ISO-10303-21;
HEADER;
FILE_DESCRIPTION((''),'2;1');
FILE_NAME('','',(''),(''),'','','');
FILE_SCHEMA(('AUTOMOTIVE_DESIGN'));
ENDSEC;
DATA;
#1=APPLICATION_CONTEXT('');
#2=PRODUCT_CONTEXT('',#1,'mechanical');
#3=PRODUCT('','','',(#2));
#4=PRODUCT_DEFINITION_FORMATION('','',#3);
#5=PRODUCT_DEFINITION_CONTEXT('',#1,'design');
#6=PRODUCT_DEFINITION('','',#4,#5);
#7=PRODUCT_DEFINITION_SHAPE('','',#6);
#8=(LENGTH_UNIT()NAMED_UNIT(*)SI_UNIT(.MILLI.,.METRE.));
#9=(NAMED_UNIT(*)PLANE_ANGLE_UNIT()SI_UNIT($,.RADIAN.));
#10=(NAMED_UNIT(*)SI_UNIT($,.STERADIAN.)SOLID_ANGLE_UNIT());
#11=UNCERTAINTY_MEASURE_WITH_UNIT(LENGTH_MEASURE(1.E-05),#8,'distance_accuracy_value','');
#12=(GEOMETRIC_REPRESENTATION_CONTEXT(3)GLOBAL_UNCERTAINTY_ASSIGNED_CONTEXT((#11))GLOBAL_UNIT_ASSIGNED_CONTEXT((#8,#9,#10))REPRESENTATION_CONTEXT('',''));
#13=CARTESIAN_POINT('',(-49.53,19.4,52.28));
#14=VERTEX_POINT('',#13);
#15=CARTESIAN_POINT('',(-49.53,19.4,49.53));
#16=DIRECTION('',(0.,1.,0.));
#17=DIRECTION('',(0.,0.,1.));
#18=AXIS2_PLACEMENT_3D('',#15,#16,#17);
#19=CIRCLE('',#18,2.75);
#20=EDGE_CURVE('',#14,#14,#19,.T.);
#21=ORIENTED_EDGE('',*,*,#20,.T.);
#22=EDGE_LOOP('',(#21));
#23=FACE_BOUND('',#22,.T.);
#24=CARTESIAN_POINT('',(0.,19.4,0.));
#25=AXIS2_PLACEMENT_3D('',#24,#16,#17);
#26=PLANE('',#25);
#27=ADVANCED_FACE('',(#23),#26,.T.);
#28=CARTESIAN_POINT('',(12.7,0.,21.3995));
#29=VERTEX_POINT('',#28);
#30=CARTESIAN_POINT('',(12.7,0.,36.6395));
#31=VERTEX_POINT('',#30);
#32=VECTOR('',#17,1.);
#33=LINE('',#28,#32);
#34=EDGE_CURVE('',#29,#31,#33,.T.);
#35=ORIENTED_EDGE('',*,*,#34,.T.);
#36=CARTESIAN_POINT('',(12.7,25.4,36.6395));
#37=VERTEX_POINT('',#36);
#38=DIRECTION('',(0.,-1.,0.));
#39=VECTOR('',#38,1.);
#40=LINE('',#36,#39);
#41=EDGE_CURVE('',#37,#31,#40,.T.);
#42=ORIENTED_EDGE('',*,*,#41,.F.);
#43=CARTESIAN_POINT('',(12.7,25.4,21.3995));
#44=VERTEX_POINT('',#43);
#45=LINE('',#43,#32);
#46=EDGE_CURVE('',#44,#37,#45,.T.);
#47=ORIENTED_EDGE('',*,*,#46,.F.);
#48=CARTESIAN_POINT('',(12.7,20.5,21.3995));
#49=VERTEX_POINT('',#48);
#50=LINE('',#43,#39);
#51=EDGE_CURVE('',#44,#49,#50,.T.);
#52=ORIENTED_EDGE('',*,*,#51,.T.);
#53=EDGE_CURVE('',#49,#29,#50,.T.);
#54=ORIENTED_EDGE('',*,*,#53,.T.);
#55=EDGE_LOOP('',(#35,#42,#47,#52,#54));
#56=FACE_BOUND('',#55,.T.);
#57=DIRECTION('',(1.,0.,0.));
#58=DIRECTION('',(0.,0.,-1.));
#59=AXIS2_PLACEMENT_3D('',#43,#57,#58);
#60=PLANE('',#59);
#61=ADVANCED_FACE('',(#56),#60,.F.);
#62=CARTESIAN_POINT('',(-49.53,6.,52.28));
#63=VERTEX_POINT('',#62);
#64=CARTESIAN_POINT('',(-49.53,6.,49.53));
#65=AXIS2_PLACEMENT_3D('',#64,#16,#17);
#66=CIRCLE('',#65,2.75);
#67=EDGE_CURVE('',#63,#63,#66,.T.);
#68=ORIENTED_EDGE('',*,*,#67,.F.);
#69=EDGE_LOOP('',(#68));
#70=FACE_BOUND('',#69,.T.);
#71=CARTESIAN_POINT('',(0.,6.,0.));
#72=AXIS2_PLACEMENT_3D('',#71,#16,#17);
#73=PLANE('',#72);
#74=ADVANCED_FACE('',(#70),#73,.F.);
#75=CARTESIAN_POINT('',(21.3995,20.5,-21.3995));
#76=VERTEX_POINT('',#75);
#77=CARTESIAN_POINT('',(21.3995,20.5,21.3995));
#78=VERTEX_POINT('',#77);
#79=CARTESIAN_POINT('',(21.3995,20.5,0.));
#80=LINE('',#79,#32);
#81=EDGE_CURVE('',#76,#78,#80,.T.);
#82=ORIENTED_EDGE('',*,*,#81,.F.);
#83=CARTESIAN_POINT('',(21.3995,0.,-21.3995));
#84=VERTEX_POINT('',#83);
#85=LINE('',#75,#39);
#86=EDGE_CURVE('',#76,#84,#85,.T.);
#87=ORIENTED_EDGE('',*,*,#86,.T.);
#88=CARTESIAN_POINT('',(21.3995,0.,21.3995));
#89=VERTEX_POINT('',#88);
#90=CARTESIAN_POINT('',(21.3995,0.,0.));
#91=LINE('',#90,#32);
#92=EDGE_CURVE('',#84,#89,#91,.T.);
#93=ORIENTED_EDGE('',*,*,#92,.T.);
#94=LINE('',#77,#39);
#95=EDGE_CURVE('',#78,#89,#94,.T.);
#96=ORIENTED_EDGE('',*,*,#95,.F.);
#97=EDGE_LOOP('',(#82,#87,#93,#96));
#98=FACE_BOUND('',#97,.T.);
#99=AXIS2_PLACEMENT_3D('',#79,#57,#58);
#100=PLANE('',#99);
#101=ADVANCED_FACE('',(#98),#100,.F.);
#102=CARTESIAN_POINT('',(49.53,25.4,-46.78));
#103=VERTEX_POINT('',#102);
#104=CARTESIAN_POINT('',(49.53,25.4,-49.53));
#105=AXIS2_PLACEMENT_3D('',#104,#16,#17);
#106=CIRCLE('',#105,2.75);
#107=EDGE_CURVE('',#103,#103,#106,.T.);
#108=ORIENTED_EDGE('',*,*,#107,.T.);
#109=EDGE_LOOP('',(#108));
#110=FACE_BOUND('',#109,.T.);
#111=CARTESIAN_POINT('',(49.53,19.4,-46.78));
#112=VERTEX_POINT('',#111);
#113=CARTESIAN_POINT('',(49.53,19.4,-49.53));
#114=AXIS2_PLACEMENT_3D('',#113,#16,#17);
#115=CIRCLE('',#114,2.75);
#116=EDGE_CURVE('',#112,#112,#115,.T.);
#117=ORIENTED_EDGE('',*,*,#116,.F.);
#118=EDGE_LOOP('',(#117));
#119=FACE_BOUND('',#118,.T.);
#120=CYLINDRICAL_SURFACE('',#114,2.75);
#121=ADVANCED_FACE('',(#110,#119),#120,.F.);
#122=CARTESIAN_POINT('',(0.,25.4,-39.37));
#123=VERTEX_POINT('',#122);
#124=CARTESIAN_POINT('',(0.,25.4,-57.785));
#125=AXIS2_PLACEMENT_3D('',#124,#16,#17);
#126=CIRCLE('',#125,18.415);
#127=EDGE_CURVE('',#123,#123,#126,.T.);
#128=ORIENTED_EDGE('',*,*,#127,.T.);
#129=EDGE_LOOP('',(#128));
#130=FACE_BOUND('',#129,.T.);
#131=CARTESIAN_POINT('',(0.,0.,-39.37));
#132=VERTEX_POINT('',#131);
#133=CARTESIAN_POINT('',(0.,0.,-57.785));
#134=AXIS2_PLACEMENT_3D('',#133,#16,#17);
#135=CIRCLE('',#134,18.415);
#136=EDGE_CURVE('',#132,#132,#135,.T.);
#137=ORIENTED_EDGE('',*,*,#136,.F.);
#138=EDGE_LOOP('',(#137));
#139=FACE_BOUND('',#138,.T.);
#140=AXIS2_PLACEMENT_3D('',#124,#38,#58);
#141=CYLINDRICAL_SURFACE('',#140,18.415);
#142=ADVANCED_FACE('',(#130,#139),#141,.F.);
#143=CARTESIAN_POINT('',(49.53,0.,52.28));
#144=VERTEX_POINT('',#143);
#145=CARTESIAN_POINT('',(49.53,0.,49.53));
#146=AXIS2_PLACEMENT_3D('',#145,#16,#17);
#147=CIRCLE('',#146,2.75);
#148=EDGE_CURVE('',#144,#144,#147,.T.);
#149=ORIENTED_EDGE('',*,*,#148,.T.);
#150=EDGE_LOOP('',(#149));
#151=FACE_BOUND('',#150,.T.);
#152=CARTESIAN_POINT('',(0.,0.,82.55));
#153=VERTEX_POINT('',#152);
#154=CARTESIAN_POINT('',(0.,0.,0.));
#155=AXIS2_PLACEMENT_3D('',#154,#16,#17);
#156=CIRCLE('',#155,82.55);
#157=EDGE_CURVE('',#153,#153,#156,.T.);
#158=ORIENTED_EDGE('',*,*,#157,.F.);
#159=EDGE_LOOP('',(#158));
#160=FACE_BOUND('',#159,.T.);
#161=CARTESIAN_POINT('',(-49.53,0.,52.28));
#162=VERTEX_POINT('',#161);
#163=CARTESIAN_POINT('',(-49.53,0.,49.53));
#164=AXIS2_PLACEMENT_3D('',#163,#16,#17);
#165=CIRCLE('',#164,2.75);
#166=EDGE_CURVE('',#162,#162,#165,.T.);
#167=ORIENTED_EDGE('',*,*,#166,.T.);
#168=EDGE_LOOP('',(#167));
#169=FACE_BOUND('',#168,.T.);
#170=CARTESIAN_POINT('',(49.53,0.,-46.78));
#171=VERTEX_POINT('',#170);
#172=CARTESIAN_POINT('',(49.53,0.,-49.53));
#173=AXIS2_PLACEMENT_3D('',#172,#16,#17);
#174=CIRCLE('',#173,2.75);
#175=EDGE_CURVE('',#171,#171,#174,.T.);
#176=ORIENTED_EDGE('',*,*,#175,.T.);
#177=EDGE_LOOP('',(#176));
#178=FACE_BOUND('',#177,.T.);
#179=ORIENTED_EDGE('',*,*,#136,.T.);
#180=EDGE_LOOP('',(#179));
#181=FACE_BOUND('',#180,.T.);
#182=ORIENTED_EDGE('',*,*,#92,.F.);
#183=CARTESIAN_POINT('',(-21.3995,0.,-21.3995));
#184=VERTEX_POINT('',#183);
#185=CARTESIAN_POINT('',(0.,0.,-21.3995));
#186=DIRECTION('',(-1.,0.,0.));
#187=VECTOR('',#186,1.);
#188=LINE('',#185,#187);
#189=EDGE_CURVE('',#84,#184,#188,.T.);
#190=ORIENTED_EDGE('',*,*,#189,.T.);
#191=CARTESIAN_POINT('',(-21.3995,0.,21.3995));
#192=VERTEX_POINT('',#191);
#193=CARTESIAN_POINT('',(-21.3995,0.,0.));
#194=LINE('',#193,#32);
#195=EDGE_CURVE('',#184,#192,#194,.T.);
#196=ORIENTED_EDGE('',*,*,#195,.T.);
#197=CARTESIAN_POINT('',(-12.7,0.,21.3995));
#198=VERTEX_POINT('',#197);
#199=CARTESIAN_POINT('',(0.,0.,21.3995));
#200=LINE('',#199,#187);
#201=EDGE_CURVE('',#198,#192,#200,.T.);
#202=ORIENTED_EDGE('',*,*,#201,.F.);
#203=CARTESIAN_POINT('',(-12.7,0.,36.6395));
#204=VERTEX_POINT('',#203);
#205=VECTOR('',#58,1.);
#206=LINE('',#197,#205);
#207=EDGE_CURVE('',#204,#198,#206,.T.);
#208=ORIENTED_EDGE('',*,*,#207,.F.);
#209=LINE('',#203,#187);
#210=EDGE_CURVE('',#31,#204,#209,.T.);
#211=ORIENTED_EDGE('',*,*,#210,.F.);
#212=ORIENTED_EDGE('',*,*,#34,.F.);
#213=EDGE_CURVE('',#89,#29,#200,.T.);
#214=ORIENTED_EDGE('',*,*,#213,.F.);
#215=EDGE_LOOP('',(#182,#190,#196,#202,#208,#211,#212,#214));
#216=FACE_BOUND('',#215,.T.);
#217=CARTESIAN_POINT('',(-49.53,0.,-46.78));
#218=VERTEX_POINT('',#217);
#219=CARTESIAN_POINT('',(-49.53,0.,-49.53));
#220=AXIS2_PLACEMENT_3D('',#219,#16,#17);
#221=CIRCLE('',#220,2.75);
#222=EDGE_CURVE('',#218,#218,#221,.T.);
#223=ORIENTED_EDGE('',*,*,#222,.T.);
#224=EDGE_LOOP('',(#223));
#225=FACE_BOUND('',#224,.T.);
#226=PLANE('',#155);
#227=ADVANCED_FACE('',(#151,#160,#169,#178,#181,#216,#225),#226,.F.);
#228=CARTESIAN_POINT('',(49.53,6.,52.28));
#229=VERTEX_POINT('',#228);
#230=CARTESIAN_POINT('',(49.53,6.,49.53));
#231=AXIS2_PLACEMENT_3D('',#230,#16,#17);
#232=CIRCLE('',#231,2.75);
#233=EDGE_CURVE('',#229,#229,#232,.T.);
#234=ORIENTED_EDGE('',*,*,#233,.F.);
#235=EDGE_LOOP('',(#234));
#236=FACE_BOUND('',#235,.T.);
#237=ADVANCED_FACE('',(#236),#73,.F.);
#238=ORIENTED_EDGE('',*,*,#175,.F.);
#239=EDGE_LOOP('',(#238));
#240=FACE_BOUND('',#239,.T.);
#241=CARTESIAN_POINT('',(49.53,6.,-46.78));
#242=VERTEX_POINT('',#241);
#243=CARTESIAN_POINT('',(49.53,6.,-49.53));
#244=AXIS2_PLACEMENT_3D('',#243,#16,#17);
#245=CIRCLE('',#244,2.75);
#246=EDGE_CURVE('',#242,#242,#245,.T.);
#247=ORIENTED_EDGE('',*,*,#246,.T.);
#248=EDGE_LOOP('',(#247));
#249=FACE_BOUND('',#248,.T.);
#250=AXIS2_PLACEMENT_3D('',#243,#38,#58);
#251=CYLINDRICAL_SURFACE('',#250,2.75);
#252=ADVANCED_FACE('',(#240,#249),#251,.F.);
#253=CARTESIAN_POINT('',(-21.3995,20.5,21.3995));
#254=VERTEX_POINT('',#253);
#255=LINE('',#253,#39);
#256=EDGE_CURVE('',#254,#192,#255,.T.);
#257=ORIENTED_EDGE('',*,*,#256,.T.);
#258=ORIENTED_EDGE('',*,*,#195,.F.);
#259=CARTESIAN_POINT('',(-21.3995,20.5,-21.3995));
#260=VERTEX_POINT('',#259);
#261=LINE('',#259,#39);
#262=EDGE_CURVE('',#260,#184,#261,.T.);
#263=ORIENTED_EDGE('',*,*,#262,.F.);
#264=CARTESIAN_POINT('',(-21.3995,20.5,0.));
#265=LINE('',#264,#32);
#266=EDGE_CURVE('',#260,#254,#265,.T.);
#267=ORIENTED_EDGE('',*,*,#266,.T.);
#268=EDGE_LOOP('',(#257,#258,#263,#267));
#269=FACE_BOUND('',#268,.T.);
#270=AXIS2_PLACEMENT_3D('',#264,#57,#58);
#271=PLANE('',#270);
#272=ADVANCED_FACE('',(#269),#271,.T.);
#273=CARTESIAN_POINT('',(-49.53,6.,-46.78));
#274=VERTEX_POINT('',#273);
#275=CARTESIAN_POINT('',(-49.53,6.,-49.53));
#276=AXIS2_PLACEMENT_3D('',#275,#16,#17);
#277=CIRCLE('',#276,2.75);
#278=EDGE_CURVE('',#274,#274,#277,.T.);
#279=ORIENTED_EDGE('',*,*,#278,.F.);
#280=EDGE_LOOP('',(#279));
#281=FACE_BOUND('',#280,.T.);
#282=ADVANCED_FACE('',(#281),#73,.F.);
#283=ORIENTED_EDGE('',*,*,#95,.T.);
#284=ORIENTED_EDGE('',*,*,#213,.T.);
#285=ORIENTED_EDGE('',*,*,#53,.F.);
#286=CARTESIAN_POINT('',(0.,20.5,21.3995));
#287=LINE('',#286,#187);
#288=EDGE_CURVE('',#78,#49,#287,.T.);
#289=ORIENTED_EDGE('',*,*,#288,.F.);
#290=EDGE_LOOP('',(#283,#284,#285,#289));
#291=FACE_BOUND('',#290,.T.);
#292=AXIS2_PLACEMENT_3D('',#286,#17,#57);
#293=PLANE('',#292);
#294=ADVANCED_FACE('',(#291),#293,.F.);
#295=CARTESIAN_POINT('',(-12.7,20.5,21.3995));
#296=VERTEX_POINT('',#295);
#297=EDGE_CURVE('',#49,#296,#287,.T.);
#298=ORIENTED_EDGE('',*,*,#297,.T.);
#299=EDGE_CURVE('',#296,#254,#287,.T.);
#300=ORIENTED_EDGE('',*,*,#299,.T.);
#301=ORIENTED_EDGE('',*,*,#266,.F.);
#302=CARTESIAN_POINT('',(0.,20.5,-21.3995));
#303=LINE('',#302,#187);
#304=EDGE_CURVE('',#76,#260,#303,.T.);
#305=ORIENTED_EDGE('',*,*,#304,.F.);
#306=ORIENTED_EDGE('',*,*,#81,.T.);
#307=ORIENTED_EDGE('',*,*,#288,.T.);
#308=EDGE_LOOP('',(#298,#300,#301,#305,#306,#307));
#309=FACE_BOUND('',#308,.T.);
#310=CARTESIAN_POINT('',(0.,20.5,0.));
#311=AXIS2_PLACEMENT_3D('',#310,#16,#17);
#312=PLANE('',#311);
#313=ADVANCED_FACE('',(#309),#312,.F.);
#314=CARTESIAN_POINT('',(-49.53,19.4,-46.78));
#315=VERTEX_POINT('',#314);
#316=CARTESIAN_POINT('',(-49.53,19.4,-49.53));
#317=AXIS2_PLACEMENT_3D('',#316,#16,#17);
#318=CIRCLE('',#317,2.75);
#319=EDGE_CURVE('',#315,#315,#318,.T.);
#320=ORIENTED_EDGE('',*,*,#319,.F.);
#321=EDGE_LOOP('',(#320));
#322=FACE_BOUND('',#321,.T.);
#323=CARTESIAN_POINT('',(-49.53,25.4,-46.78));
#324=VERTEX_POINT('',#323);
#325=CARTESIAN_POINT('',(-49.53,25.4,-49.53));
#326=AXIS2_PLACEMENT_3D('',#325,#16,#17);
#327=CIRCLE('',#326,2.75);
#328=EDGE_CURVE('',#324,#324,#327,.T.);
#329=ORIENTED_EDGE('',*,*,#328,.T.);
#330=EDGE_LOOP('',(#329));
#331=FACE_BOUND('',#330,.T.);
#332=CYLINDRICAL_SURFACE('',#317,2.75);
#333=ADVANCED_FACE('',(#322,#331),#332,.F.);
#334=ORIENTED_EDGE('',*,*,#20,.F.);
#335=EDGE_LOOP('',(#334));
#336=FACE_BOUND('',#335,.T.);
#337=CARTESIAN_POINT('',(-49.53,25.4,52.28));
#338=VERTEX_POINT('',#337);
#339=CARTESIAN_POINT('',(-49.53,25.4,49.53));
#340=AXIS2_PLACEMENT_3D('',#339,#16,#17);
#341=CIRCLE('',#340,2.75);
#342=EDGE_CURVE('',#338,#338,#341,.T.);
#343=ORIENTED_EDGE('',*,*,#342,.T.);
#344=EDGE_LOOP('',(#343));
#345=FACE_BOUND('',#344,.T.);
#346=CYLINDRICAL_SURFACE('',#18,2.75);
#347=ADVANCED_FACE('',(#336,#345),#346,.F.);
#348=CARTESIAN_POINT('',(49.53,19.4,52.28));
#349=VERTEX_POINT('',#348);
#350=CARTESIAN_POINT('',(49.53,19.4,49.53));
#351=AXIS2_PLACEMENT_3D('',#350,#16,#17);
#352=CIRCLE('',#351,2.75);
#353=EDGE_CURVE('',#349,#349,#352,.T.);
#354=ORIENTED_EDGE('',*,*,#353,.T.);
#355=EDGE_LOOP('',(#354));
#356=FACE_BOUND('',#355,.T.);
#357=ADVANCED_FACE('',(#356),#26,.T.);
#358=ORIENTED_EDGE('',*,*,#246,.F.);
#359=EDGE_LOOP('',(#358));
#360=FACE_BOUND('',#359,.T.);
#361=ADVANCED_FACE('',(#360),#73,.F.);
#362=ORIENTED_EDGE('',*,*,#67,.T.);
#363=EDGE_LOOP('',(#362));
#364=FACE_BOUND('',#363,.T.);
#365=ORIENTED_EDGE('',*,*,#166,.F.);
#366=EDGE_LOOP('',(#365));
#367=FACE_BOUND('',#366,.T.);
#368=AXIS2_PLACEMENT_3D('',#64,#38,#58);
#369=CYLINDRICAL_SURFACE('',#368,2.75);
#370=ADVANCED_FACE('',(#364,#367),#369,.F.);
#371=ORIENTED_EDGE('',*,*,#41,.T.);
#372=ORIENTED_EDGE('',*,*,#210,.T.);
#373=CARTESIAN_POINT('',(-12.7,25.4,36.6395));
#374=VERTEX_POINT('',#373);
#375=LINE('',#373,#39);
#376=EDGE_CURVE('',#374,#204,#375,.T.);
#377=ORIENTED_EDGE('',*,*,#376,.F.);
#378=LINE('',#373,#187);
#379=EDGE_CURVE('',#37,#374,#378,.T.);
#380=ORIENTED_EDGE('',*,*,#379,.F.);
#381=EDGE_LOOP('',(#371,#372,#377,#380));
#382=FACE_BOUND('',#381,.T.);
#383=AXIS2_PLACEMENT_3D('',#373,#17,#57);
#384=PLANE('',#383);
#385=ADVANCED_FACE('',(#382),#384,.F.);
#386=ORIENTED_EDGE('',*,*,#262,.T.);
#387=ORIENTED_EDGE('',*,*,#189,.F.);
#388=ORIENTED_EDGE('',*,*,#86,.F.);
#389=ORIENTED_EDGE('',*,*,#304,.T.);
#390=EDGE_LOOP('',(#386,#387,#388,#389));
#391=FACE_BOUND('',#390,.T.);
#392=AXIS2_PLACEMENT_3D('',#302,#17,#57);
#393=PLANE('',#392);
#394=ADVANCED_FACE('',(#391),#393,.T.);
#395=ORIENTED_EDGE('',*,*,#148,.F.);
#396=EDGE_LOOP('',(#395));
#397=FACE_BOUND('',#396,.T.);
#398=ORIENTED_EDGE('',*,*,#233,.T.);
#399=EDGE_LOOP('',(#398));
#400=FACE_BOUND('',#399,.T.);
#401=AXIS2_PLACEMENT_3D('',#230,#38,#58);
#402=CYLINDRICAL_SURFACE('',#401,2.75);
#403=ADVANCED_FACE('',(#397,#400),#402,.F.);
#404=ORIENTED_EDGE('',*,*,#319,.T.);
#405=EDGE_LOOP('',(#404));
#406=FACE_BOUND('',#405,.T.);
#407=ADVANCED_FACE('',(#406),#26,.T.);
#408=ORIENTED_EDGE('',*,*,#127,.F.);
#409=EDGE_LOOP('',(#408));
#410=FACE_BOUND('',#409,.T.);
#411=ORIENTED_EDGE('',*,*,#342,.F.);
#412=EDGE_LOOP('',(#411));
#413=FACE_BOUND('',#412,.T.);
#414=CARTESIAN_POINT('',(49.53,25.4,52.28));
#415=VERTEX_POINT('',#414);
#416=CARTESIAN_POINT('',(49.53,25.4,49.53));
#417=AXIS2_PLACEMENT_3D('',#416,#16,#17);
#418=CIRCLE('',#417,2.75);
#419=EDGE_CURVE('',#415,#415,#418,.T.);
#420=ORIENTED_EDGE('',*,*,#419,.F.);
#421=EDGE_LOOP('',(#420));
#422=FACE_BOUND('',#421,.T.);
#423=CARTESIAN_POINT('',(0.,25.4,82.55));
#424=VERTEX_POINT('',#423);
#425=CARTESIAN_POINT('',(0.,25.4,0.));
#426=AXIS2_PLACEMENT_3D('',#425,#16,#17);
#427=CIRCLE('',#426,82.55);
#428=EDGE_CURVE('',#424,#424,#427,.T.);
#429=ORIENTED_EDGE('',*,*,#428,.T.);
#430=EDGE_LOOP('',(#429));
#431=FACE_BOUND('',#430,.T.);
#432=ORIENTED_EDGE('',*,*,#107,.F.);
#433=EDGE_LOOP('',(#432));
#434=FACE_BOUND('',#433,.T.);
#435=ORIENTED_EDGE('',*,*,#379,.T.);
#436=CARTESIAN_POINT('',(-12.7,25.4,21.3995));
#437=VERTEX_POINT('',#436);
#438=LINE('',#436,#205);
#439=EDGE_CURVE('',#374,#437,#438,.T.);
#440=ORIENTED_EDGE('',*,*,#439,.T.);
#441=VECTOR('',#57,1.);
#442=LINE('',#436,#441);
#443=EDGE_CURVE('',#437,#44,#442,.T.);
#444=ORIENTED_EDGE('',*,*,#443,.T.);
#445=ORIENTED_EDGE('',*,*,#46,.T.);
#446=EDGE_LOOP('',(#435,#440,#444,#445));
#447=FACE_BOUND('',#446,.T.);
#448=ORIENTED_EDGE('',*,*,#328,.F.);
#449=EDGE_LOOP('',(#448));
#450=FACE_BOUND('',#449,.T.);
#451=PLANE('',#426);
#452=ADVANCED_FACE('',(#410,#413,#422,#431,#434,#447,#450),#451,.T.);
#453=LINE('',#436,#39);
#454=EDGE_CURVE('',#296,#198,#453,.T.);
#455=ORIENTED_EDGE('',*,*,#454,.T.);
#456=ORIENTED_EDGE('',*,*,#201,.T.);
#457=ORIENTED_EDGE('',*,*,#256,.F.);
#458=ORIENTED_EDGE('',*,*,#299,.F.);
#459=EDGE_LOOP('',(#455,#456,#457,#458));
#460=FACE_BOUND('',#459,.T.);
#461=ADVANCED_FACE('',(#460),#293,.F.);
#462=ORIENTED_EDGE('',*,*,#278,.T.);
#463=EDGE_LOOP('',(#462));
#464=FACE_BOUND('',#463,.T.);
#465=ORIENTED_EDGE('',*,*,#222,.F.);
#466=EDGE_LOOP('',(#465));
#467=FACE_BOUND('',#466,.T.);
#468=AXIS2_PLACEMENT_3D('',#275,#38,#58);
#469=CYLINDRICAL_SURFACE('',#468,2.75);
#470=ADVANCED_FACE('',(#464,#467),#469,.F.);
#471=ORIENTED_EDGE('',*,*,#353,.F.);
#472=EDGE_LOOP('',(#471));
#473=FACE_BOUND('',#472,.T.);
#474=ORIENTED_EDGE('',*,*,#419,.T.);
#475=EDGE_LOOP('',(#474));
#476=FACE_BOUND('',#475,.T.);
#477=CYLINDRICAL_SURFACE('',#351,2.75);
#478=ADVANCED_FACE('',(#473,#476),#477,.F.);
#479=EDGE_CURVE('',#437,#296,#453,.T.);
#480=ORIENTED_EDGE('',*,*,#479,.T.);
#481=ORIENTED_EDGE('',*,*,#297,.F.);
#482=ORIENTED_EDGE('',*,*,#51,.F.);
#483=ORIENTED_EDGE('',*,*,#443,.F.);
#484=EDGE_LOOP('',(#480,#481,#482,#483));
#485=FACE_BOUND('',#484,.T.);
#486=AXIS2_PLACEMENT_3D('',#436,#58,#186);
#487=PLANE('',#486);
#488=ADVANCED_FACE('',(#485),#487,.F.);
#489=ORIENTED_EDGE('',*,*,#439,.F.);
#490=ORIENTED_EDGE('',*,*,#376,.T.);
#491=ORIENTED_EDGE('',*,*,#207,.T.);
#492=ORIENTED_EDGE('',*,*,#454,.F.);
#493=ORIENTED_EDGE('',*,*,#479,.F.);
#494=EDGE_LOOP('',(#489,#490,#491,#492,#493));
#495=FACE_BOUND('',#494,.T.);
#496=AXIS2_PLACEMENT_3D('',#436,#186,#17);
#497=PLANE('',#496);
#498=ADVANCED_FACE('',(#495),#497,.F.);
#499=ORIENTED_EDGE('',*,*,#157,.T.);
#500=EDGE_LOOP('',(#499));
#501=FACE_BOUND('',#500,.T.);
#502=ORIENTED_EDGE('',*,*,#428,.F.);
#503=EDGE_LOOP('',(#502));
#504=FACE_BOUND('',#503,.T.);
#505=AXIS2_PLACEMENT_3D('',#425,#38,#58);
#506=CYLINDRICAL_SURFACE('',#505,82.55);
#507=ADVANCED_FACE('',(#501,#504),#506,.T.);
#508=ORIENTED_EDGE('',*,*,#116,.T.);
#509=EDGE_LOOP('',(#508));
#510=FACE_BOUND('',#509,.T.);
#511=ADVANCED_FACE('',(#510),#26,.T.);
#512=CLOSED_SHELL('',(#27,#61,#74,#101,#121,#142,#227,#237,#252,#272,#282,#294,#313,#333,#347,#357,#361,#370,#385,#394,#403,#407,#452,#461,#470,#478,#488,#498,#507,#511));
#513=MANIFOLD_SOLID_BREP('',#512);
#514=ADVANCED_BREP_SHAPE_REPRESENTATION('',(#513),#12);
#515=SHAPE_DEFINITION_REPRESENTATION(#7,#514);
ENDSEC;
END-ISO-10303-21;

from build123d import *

# Parameters (mm, degrees)
SKETCH1_R           = 82.55
SKETCH1_R_2         = 18.415
BOSS_EXTRUDE3_DEPTH = 25.4
SKETCH1_7_W         = 42.799
SKETCH1_7_H         = 42.799
CUT_EXTRUDE2_DEPTH  = 20.5
SKETCH3_W           = 25.4
SKETCH3_H           = 15.24
CUT_EXTRUDE3_DEPTH  = 120.474537036
SKETCH1_8_R         = 2.75
CUT_EXTRUDE4_DEPTH  = 6
CUT_EXTRUDE5_START  = 19.4
SKETCH1_10_R        = 2.75
CUT_EXTRUDE5_DEPTH  = 6


with BuildPart() as part:
    # Sketch1 → Boss-Extrude3 (new body)
    with BuildSketch(Plane(origin=(0, 0, 0), x_dir=(1, 0, 0), z_dir=(0, 1, 0))):
        Circle(SKETCH1_R)
        with Locations((0, 57.785)):
            Circle(SKETCH1_R_2, mode=Mode.SUBTRACT)
    extrude(amount=BOSS_EXTRUDE3_DEPTH)

    # Sketch1<7> → Cut-Extrude2 (cut)
    with BuildSketch(Plane(origin=(0, 0, 0), x_dir=(1, 0, 0), z_dir=(0, 1, 0))):
        Rectangle(SKETCH1_7_W, SKETCH1_7_H)
    extrude(amount=CUT_EXTRUDE2_DEPTH, mode=Mode.SUBTRACT)

    # Sketch3 → Cut-Extrude3 (cut, through all)
    with BuildSketch(Plane.XZ):
        with Locations((0, 29.0195)):
            Rectangle(SKETCH3_W, SKETCH3_H)
    extrude(amount=-CUT_EXTRUDE3_DEPTH, mode=Mode.SUBTRACT)

    # Sketch1<8> → Cut-Extrude4 (cut)
    with BuildSketch(Plane(origin=(0, 0, 0), x_dir=(1, 0, 0), z_dir=(0, 1, 0))):
        with Locations((-49.53, 49.53)):
            Circle(SKETCH1_8_R)
        with Locations((49.53, 49.53)):
            Circle(SKETCH1_8_R)
        with Locations((49.53, -49.53)):
            Circle(SKETCH1_8_R)
        with Locations((-49.53, -49.53)):
            Circle(SKETCH1_8_R)
    extrude(amount=CUT_EXTRUDE4_DEPTH, mode=Mode.SUBTRACT)

    # Sketch1<10> → Cut-Extrude5 (cut)
    with BuildSketch(Plane(origin=(0, 0, 0), x_dir=(1, 0, 0), z_dir=(0, 1, 0)).offset(CUT_EXTRUDE5_START)):
        with Locations((-49.53, 49.53)):
            Circle(SKETCH1_10_R)
        with Locations((49.53, 49.53)):
            Circle(SKETCH1_10_R)
        with Locations((49.53, -49.53)):
            Circle(SKETCH1_10_R)
        with Locations((-49.53, -49.53)):
            Circle(SKETCH1_10_R)
    extrude(amount=CUT_EXTRUDE5_DEPTH, mode=Mode.SUBTRACT)


solid = part.part
